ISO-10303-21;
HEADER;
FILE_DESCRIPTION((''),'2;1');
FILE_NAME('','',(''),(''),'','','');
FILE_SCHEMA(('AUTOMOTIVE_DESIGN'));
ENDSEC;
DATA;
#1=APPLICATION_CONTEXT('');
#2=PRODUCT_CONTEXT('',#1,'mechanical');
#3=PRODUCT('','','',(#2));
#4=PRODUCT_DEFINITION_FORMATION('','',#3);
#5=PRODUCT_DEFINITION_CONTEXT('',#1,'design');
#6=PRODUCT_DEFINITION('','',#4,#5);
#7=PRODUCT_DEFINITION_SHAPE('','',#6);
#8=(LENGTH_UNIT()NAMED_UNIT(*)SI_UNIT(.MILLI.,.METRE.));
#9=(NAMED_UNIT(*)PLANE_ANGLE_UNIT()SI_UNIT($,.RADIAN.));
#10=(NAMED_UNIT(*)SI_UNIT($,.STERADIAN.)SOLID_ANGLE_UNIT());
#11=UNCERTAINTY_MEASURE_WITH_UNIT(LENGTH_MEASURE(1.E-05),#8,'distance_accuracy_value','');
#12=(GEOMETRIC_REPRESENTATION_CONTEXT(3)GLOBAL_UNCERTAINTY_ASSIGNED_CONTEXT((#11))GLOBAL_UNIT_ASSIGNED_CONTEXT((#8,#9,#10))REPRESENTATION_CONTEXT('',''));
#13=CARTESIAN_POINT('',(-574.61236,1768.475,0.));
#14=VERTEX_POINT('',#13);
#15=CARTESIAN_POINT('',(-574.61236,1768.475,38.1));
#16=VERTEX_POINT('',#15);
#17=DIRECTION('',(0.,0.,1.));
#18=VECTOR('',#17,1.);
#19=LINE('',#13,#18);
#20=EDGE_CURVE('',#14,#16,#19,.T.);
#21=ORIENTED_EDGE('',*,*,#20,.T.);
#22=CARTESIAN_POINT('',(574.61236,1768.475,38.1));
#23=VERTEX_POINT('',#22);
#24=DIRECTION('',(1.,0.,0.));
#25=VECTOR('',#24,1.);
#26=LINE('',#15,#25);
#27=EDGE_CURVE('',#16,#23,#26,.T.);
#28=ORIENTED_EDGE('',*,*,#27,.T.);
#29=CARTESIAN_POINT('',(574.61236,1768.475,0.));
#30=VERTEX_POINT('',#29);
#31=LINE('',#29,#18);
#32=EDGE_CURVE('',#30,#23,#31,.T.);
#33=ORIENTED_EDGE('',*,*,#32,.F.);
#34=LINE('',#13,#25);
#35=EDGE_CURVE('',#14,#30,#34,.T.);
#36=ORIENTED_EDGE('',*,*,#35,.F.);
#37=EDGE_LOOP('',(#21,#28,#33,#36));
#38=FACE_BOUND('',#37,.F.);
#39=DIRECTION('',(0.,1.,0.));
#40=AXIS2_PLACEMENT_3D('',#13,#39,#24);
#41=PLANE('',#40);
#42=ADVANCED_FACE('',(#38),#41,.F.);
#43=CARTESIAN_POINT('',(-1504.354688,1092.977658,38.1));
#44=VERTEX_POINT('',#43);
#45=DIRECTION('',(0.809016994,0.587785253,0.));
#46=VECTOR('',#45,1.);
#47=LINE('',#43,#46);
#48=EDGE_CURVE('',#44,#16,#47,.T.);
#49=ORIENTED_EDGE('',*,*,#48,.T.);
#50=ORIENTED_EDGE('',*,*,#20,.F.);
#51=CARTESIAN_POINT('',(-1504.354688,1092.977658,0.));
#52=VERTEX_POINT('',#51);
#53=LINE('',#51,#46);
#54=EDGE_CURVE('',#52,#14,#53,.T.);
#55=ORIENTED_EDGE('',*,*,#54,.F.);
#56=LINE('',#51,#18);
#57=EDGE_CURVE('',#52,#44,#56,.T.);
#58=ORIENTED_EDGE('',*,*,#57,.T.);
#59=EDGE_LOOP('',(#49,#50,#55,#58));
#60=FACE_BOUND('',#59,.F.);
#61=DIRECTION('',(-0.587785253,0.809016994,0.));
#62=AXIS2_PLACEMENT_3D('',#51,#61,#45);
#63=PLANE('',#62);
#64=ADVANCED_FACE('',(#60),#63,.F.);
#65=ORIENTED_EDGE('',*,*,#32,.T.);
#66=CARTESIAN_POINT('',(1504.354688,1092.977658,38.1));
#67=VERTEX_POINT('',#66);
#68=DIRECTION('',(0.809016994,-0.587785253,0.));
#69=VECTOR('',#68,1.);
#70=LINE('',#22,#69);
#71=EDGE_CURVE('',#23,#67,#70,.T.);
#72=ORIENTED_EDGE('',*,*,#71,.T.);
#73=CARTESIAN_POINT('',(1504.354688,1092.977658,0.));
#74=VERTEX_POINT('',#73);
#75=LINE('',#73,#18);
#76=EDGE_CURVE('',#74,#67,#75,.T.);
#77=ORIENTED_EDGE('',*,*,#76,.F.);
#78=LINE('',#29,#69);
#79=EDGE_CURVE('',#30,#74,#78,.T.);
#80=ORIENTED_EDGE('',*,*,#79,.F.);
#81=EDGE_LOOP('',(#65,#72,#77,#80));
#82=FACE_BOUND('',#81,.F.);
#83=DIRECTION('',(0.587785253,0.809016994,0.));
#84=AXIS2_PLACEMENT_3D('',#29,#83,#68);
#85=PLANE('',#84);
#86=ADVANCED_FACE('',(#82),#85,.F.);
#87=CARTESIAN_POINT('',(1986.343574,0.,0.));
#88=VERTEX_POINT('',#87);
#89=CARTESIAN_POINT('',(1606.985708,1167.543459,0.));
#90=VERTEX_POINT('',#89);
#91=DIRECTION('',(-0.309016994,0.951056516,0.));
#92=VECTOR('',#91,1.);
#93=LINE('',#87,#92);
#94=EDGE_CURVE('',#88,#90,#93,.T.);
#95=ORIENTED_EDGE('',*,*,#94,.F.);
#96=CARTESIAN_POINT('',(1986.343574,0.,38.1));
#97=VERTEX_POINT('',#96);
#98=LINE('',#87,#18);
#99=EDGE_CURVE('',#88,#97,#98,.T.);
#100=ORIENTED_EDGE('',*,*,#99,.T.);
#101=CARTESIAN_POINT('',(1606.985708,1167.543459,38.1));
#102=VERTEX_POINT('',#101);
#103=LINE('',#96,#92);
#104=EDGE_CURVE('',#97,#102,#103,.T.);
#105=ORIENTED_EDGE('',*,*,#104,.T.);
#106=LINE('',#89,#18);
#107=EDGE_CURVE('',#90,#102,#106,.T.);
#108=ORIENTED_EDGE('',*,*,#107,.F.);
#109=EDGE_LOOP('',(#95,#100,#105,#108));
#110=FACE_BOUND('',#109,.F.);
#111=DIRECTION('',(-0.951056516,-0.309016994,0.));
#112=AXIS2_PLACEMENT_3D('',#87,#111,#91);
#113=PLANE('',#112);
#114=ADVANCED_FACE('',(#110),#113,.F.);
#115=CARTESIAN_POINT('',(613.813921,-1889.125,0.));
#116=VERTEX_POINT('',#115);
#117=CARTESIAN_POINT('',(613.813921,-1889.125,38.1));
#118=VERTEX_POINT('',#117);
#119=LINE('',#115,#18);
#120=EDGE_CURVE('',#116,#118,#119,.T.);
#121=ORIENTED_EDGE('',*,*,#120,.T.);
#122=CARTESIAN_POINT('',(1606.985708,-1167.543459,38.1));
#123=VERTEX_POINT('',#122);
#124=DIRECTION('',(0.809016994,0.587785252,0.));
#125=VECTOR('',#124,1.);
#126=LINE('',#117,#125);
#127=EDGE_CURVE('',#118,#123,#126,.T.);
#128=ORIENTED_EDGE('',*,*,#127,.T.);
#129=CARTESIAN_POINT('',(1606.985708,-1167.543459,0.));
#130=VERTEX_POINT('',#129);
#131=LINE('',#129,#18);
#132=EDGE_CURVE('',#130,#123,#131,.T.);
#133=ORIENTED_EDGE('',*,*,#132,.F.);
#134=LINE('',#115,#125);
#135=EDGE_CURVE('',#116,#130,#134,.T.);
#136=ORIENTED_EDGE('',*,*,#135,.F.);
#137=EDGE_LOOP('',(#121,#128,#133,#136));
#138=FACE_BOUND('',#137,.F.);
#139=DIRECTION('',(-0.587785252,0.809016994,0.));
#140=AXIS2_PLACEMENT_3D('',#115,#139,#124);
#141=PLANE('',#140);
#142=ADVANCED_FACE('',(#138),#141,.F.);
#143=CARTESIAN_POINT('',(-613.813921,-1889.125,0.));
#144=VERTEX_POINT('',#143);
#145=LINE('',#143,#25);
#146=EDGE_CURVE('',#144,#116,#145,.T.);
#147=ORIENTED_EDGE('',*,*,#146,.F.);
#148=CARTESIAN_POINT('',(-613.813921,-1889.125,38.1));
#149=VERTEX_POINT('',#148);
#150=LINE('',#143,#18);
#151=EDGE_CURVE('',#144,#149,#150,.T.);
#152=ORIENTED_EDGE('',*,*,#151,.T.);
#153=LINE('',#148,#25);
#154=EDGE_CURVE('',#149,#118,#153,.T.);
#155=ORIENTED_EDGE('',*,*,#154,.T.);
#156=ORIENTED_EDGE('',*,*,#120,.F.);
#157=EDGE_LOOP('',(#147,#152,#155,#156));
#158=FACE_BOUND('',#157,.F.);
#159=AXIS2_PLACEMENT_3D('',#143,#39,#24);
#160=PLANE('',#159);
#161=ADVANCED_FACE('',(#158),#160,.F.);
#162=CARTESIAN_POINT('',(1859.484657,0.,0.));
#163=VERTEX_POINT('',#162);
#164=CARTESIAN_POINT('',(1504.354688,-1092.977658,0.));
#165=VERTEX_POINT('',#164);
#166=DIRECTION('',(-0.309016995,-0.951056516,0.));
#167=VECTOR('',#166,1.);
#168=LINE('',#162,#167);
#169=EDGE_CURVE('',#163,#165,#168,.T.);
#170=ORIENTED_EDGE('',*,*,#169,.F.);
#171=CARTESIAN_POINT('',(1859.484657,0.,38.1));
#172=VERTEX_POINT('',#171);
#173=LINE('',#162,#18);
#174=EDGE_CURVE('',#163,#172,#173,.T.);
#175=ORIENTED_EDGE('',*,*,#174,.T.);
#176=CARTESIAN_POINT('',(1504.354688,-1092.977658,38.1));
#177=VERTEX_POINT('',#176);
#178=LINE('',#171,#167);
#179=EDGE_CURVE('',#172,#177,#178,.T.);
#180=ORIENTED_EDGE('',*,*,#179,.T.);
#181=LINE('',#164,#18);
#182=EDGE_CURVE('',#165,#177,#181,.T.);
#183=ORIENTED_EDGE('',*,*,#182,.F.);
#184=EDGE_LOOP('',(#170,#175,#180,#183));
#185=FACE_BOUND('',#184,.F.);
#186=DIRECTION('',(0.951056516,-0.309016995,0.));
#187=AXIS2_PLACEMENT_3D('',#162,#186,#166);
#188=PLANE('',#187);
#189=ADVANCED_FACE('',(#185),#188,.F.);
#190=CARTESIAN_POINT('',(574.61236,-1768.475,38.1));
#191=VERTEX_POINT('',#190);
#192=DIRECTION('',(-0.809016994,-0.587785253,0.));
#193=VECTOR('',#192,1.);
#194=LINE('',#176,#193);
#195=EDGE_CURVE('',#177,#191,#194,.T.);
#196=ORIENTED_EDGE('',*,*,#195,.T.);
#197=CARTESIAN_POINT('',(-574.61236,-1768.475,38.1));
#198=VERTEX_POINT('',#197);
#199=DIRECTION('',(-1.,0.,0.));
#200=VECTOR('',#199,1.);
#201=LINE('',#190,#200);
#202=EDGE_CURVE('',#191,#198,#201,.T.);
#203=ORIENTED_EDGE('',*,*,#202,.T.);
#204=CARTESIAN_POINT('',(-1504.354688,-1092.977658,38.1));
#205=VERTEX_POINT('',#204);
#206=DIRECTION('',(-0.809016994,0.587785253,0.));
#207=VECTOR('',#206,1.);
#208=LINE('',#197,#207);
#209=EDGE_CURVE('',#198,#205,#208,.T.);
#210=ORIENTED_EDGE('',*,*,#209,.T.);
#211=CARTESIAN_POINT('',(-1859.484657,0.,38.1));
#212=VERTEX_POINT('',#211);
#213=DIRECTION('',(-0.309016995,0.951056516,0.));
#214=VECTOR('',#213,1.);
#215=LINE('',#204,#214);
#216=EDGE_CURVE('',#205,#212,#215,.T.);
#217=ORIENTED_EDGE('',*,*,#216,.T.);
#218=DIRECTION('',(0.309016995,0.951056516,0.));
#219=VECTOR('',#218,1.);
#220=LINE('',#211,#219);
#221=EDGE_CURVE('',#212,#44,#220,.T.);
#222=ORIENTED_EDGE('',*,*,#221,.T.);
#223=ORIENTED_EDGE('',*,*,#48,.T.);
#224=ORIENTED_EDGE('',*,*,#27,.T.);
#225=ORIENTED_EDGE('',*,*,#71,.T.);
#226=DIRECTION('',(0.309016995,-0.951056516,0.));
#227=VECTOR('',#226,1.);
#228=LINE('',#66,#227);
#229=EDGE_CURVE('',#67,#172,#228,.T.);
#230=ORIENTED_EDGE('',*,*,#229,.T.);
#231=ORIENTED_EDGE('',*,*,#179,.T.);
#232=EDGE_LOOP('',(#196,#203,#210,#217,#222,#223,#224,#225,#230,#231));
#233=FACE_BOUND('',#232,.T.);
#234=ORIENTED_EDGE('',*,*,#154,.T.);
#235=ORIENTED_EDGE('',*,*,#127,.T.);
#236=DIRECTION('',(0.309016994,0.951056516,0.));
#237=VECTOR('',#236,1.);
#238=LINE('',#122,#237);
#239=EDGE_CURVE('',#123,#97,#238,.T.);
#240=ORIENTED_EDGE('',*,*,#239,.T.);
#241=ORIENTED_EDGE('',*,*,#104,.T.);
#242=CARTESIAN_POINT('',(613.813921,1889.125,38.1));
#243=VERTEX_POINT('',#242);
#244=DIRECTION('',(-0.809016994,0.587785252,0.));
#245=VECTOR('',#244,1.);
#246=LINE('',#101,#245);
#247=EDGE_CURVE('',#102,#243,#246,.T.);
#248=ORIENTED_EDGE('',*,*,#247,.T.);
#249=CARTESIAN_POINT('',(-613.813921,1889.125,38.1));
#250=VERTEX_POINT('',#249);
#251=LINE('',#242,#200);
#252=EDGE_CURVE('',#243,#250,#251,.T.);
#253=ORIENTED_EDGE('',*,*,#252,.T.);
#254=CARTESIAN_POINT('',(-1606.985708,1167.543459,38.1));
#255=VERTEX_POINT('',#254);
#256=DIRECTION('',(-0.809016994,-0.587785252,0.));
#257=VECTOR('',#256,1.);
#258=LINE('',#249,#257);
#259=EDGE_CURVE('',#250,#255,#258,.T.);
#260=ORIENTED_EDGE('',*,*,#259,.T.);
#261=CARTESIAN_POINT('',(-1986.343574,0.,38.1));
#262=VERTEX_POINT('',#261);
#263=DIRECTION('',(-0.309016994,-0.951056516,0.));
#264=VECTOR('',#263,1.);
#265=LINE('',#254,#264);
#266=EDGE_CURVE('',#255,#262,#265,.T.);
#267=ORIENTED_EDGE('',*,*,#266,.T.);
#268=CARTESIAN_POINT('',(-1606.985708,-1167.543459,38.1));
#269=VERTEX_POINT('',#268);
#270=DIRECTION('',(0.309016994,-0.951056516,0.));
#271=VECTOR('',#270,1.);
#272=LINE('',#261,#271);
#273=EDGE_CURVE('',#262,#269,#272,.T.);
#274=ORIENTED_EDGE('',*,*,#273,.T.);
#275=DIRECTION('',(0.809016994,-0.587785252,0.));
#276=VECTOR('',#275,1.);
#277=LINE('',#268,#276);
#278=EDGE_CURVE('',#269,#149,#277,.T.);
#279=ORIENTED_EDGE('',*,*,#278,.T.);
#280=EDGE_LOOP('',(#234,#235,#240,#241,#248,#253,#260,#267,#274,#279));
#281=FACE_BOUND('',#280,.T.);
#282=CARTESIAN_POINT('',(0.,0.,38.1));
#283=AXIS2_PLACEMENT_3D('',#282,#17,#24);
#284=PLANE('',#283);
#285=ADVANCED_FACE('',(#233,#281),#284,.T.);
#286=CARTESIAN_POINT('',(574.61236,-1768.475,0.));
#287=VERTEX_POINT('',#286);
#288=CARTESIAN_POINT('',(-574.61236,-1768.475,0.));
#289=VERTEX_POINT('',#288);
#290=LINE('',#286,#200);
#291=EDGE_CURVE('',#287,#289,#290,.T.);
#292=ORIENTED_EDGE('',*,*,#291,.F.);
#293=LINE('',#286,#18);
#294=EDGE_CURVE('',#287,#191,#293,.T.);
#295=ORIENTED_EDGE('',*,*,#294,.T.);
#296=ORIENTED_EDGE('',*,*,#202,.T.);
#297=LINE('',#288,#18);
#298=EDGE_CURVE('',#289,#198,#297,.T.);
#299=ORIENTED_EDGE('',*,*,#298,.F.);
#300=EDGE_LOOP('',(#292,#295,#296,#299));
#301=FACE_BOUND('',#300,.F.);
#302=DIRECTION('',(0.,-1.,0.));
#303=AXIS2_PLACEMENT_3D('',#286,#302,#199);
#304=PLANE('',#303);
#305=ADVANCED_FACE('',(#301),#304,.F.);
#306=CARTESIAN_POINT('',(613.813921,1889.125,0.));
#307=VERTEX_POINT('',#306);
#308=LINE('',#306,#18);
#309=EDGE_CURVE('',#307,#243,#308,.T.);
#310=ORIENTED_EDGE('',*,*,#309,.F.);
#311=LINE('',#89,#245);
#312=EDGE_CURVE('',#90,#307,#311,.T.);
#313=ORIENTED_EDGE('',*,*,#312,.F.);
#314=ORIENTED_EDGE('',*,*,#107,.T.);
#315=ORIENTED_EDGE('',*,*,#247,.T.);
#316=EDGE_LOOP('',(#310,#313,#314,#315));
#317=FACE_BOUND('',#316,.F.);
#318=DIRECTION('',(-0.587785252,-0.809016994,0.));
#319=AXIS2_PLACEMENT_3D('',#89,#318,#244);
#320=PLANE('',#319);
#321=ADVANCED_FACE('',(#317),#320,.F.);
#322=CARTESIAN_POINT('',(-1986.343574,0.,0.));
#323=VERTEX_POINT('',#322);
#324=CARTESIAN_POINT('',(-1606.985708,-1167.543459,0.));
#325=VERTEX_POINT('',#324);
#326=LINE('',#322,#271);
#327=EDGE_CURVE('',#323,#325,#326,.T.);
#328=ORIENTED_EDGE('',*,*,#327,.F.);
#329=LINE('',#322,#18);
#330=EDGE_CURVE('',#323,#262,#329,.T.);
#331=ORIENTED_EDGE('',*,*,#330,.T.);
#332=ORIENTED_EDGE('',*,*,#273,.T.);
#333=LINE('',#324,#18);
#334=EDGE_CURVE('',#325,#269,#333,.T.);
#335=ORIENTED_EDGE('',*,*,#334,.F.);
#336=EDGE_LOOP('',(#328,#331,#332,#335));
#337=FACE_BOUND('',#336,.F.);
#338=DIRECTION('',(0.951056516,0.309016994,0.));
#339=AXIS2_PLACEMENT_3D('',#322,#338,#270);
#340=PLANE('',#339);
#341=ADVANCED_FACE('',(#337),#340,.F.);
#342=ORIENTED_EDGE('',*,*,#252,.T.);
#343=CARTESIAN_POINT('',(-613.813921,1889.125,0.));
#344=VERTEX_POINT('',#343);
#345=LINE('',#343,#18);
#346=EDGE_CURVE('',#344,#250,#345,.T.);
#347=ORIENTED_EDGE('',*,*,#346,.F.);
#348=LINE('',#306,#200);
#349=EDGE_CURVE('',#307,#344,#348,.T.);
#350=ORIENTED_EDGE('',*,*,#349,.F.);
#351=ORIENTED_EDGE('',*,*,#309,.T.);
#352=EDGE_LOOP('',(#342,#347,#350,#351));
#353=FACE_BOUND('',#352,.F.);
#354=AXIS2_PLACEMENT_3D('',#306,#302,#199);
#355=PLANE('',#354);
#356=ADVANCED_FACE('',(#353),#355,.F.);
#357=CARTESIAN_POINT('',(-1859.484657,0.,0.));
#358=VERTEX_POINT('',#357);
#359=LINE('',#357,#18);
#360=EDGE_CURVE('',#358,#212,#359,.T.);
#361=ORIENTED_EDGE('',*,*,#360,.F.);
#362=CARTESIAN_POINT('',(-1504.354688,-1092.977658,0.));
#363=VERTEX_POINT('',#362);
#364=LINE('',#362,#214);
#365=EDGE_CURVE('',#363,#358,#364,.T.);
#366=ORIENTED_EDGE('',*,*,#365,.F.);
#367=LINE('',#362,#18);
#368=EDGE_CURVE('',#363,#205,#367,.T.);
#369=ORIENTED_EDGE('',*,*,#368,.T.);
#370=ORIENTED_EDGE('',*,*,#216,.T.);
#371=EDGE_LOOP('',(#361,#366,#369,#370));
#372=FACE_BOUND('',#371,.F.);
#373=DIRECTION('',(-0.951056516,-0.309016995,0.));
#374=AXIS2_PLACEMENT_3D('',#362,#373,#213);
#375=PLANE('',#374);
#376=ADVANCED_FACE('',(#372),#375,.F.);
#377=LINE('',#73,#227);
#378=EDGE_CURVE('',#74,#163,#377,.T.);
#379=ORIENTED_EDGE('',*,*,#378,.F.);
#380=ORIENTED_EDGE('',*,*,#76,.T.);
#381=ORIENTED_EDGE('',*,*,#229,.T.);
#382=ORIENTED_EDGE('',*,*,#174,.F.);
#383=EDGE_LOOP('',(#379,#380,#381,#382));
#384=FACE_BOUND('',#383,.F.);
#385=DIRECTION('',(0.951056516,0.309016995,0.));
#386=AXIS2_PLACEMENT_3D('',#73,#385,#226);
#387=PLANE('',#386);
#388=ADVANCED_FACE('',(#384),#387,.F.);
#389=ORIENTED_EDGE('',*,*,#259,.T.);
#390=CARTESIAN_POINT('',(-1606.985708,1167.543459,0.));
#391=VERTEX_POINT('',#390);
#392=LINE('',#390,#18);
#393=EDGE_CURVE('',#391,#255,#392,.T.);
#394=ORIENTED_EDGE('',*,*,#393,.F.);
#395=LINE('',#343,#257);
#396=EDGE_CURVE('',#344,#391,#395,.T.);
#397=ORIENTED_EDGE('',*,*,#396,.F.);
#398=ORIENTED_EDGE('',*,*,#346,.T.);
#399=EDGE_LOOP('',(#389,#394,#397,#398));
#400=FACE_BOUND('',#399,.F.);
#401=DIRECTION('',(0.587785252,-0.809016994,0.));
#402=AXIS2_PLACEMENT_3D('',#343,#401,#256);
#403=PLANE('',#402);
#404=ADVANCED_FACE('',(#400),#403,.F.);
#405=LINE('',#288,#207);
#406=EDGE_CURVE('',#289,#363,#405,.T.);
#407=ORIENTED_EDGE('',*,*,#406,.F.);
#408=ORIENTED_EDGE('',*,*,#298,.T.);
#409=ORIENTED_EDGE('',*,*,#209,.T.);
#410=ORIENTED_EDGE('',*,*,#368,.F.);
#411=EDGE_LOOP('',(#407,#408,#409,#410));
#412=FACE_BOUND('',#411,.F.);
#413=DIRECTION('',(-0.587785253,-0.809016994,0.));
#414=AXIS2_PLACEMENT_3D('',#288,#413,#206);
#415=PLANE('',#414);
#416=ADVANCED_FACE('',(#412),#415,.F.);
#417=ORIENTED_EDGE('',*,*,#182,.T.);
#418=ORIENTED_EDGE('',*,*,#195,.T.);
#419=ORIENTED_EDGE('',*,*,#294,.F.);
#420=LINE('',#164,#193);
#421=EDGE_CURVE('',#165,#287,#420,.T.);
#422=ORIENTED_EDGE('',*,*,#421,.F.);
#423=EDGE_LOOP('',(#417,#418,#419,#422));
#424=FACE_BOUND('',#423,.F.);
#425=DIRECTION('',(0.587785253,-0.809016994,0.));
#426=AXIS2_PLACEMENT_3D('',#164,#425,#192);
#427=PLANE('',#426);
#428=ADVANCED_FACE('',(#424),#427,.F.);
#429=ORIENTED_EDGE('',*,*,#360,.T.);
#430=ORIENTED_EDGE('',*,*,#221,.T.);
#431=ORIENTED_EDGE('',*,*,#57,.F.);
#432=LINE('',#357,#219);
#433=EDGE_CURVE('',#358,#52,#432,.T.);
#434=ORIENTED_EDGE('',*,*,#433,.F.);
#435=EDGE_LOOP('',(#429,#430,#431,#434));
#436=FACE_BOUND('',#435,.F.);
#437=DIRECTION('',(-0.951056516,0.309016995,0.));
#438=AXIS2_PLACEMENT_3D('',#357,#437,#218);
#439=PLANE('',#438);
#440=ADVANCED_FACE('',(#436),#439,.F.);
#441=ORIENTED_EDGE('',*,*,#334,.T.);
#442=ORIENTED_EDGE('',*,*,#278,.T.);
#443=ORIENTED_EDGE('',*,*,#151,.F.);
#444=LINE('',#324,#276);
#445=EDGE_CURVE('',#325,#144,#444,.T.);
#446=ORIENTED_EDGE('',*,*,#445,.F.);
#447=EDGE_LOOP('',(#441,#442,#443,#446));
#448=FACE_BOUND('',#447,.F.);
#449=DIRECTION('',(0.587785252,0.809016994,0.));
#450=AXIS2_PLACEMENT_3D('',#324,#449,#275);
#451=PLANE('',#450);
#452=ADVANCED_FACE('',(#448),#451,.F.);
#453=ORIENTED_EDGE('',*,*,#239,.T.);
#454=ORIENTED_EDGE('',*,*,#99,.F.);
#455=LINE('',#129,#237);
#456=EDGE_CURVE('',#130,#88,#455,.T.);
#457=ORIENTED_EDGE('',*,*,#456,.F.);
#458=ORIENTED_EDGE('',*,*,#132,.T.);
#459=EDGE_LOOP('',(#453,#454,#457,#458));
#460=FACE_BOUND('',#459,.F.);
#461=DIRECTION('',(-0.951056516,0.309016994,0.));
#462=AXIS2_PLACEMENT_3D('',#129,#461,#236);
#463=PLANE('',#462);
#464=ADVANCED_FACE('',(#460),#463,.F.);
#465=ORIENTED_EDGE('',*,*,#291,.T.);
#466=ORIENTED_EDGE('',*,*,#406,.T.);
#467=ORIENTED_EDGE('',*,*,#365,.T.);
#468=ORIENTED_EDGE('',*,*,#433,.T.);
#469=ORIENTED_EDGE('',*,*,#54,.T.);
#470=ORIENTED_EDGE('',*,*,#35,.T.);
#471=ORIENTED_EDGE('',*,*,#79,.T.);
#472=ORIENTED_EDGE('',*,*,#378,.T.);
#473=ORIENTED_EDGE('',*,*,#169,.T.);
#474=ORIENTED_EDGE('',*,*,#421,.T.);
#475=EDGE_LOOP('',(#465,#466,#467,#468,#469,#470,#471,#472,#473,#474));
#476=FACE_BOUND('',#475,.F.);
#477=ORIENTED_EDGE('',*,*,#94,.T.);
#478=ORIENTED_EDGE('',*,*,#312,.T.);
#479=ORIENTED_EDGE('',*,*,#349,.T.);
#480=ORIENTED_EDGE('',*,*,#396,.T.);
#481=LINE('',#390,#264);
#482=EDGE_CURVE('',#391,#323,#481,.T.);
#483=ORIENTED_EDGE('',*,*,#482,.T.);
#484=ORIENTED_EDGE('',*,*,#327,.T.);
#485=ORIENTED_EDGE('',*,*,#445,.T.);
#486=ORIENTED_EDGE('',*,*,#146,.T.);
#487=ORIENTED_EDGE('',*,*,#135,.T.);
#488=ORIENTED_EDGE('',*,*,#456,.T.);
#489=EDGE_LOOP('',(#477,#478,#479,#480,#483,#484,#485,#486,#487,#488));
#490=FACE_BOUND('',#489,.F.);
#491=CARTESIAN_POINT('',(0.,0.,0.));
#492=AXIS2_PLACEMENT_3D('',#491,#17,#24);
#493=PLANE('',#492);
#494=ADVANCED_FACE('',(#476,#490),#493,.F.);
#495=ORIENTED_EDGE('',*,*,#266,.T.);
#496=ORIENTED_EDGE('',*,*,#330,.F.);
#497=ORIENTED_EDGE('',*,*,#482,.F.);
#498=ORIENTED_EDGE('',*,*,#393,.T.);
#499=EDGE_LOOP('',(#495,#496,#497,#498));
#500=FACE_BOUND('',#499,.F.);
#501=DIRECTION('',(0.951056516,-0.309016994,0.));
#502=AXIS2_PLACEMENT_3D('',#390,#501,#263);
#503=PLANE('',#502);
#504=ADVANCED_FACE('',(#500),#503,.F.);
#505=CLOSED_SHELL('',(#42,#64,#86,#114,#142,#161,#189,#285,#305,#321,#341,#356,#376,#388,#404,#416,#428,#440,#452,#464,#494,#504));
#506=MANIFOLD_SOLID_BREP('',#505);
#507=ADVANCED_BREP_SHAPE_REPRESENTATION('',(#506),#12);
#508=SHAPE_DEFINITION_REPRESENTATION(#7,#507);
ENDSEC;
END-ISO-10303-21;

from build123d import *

# Parameters (mm, degrees)
F1_DEPTH = 38.1


with BuildPart() as f1:
    # F0 (on Top) → F1 (new body)
    with BuildSketch(Plane.XY):
        Polygon((613.813921, 1889.125), (-613.813921, 1889.125), (-1606.985708, 1167.543459), (-1986.343574, 0), (-1606.985708, -1167.543459), (-613.813921, -1889.125), (613.813921, -1889.125), (1606.985708, -1167.543459), (1986.343574, 0), (1606.985708, 1167.543459), align=None)
        Polygon((-1504.354688, 1092.977658), (-574.61236, 1768.475), (574.61236, 1768.475), (1504.354688, 1092.977658), (1859.484657, 0), (1504.354688, -1092.977658), (574.61236, -1768.475), (-574.61236, -1768.475), (-1504.354688, -1092.977658), (-1859.484657, 0), align=None, mode=Mode.SUBTRACT)
    extrude(amount=F1_DEPTH)


solid = f1.part
